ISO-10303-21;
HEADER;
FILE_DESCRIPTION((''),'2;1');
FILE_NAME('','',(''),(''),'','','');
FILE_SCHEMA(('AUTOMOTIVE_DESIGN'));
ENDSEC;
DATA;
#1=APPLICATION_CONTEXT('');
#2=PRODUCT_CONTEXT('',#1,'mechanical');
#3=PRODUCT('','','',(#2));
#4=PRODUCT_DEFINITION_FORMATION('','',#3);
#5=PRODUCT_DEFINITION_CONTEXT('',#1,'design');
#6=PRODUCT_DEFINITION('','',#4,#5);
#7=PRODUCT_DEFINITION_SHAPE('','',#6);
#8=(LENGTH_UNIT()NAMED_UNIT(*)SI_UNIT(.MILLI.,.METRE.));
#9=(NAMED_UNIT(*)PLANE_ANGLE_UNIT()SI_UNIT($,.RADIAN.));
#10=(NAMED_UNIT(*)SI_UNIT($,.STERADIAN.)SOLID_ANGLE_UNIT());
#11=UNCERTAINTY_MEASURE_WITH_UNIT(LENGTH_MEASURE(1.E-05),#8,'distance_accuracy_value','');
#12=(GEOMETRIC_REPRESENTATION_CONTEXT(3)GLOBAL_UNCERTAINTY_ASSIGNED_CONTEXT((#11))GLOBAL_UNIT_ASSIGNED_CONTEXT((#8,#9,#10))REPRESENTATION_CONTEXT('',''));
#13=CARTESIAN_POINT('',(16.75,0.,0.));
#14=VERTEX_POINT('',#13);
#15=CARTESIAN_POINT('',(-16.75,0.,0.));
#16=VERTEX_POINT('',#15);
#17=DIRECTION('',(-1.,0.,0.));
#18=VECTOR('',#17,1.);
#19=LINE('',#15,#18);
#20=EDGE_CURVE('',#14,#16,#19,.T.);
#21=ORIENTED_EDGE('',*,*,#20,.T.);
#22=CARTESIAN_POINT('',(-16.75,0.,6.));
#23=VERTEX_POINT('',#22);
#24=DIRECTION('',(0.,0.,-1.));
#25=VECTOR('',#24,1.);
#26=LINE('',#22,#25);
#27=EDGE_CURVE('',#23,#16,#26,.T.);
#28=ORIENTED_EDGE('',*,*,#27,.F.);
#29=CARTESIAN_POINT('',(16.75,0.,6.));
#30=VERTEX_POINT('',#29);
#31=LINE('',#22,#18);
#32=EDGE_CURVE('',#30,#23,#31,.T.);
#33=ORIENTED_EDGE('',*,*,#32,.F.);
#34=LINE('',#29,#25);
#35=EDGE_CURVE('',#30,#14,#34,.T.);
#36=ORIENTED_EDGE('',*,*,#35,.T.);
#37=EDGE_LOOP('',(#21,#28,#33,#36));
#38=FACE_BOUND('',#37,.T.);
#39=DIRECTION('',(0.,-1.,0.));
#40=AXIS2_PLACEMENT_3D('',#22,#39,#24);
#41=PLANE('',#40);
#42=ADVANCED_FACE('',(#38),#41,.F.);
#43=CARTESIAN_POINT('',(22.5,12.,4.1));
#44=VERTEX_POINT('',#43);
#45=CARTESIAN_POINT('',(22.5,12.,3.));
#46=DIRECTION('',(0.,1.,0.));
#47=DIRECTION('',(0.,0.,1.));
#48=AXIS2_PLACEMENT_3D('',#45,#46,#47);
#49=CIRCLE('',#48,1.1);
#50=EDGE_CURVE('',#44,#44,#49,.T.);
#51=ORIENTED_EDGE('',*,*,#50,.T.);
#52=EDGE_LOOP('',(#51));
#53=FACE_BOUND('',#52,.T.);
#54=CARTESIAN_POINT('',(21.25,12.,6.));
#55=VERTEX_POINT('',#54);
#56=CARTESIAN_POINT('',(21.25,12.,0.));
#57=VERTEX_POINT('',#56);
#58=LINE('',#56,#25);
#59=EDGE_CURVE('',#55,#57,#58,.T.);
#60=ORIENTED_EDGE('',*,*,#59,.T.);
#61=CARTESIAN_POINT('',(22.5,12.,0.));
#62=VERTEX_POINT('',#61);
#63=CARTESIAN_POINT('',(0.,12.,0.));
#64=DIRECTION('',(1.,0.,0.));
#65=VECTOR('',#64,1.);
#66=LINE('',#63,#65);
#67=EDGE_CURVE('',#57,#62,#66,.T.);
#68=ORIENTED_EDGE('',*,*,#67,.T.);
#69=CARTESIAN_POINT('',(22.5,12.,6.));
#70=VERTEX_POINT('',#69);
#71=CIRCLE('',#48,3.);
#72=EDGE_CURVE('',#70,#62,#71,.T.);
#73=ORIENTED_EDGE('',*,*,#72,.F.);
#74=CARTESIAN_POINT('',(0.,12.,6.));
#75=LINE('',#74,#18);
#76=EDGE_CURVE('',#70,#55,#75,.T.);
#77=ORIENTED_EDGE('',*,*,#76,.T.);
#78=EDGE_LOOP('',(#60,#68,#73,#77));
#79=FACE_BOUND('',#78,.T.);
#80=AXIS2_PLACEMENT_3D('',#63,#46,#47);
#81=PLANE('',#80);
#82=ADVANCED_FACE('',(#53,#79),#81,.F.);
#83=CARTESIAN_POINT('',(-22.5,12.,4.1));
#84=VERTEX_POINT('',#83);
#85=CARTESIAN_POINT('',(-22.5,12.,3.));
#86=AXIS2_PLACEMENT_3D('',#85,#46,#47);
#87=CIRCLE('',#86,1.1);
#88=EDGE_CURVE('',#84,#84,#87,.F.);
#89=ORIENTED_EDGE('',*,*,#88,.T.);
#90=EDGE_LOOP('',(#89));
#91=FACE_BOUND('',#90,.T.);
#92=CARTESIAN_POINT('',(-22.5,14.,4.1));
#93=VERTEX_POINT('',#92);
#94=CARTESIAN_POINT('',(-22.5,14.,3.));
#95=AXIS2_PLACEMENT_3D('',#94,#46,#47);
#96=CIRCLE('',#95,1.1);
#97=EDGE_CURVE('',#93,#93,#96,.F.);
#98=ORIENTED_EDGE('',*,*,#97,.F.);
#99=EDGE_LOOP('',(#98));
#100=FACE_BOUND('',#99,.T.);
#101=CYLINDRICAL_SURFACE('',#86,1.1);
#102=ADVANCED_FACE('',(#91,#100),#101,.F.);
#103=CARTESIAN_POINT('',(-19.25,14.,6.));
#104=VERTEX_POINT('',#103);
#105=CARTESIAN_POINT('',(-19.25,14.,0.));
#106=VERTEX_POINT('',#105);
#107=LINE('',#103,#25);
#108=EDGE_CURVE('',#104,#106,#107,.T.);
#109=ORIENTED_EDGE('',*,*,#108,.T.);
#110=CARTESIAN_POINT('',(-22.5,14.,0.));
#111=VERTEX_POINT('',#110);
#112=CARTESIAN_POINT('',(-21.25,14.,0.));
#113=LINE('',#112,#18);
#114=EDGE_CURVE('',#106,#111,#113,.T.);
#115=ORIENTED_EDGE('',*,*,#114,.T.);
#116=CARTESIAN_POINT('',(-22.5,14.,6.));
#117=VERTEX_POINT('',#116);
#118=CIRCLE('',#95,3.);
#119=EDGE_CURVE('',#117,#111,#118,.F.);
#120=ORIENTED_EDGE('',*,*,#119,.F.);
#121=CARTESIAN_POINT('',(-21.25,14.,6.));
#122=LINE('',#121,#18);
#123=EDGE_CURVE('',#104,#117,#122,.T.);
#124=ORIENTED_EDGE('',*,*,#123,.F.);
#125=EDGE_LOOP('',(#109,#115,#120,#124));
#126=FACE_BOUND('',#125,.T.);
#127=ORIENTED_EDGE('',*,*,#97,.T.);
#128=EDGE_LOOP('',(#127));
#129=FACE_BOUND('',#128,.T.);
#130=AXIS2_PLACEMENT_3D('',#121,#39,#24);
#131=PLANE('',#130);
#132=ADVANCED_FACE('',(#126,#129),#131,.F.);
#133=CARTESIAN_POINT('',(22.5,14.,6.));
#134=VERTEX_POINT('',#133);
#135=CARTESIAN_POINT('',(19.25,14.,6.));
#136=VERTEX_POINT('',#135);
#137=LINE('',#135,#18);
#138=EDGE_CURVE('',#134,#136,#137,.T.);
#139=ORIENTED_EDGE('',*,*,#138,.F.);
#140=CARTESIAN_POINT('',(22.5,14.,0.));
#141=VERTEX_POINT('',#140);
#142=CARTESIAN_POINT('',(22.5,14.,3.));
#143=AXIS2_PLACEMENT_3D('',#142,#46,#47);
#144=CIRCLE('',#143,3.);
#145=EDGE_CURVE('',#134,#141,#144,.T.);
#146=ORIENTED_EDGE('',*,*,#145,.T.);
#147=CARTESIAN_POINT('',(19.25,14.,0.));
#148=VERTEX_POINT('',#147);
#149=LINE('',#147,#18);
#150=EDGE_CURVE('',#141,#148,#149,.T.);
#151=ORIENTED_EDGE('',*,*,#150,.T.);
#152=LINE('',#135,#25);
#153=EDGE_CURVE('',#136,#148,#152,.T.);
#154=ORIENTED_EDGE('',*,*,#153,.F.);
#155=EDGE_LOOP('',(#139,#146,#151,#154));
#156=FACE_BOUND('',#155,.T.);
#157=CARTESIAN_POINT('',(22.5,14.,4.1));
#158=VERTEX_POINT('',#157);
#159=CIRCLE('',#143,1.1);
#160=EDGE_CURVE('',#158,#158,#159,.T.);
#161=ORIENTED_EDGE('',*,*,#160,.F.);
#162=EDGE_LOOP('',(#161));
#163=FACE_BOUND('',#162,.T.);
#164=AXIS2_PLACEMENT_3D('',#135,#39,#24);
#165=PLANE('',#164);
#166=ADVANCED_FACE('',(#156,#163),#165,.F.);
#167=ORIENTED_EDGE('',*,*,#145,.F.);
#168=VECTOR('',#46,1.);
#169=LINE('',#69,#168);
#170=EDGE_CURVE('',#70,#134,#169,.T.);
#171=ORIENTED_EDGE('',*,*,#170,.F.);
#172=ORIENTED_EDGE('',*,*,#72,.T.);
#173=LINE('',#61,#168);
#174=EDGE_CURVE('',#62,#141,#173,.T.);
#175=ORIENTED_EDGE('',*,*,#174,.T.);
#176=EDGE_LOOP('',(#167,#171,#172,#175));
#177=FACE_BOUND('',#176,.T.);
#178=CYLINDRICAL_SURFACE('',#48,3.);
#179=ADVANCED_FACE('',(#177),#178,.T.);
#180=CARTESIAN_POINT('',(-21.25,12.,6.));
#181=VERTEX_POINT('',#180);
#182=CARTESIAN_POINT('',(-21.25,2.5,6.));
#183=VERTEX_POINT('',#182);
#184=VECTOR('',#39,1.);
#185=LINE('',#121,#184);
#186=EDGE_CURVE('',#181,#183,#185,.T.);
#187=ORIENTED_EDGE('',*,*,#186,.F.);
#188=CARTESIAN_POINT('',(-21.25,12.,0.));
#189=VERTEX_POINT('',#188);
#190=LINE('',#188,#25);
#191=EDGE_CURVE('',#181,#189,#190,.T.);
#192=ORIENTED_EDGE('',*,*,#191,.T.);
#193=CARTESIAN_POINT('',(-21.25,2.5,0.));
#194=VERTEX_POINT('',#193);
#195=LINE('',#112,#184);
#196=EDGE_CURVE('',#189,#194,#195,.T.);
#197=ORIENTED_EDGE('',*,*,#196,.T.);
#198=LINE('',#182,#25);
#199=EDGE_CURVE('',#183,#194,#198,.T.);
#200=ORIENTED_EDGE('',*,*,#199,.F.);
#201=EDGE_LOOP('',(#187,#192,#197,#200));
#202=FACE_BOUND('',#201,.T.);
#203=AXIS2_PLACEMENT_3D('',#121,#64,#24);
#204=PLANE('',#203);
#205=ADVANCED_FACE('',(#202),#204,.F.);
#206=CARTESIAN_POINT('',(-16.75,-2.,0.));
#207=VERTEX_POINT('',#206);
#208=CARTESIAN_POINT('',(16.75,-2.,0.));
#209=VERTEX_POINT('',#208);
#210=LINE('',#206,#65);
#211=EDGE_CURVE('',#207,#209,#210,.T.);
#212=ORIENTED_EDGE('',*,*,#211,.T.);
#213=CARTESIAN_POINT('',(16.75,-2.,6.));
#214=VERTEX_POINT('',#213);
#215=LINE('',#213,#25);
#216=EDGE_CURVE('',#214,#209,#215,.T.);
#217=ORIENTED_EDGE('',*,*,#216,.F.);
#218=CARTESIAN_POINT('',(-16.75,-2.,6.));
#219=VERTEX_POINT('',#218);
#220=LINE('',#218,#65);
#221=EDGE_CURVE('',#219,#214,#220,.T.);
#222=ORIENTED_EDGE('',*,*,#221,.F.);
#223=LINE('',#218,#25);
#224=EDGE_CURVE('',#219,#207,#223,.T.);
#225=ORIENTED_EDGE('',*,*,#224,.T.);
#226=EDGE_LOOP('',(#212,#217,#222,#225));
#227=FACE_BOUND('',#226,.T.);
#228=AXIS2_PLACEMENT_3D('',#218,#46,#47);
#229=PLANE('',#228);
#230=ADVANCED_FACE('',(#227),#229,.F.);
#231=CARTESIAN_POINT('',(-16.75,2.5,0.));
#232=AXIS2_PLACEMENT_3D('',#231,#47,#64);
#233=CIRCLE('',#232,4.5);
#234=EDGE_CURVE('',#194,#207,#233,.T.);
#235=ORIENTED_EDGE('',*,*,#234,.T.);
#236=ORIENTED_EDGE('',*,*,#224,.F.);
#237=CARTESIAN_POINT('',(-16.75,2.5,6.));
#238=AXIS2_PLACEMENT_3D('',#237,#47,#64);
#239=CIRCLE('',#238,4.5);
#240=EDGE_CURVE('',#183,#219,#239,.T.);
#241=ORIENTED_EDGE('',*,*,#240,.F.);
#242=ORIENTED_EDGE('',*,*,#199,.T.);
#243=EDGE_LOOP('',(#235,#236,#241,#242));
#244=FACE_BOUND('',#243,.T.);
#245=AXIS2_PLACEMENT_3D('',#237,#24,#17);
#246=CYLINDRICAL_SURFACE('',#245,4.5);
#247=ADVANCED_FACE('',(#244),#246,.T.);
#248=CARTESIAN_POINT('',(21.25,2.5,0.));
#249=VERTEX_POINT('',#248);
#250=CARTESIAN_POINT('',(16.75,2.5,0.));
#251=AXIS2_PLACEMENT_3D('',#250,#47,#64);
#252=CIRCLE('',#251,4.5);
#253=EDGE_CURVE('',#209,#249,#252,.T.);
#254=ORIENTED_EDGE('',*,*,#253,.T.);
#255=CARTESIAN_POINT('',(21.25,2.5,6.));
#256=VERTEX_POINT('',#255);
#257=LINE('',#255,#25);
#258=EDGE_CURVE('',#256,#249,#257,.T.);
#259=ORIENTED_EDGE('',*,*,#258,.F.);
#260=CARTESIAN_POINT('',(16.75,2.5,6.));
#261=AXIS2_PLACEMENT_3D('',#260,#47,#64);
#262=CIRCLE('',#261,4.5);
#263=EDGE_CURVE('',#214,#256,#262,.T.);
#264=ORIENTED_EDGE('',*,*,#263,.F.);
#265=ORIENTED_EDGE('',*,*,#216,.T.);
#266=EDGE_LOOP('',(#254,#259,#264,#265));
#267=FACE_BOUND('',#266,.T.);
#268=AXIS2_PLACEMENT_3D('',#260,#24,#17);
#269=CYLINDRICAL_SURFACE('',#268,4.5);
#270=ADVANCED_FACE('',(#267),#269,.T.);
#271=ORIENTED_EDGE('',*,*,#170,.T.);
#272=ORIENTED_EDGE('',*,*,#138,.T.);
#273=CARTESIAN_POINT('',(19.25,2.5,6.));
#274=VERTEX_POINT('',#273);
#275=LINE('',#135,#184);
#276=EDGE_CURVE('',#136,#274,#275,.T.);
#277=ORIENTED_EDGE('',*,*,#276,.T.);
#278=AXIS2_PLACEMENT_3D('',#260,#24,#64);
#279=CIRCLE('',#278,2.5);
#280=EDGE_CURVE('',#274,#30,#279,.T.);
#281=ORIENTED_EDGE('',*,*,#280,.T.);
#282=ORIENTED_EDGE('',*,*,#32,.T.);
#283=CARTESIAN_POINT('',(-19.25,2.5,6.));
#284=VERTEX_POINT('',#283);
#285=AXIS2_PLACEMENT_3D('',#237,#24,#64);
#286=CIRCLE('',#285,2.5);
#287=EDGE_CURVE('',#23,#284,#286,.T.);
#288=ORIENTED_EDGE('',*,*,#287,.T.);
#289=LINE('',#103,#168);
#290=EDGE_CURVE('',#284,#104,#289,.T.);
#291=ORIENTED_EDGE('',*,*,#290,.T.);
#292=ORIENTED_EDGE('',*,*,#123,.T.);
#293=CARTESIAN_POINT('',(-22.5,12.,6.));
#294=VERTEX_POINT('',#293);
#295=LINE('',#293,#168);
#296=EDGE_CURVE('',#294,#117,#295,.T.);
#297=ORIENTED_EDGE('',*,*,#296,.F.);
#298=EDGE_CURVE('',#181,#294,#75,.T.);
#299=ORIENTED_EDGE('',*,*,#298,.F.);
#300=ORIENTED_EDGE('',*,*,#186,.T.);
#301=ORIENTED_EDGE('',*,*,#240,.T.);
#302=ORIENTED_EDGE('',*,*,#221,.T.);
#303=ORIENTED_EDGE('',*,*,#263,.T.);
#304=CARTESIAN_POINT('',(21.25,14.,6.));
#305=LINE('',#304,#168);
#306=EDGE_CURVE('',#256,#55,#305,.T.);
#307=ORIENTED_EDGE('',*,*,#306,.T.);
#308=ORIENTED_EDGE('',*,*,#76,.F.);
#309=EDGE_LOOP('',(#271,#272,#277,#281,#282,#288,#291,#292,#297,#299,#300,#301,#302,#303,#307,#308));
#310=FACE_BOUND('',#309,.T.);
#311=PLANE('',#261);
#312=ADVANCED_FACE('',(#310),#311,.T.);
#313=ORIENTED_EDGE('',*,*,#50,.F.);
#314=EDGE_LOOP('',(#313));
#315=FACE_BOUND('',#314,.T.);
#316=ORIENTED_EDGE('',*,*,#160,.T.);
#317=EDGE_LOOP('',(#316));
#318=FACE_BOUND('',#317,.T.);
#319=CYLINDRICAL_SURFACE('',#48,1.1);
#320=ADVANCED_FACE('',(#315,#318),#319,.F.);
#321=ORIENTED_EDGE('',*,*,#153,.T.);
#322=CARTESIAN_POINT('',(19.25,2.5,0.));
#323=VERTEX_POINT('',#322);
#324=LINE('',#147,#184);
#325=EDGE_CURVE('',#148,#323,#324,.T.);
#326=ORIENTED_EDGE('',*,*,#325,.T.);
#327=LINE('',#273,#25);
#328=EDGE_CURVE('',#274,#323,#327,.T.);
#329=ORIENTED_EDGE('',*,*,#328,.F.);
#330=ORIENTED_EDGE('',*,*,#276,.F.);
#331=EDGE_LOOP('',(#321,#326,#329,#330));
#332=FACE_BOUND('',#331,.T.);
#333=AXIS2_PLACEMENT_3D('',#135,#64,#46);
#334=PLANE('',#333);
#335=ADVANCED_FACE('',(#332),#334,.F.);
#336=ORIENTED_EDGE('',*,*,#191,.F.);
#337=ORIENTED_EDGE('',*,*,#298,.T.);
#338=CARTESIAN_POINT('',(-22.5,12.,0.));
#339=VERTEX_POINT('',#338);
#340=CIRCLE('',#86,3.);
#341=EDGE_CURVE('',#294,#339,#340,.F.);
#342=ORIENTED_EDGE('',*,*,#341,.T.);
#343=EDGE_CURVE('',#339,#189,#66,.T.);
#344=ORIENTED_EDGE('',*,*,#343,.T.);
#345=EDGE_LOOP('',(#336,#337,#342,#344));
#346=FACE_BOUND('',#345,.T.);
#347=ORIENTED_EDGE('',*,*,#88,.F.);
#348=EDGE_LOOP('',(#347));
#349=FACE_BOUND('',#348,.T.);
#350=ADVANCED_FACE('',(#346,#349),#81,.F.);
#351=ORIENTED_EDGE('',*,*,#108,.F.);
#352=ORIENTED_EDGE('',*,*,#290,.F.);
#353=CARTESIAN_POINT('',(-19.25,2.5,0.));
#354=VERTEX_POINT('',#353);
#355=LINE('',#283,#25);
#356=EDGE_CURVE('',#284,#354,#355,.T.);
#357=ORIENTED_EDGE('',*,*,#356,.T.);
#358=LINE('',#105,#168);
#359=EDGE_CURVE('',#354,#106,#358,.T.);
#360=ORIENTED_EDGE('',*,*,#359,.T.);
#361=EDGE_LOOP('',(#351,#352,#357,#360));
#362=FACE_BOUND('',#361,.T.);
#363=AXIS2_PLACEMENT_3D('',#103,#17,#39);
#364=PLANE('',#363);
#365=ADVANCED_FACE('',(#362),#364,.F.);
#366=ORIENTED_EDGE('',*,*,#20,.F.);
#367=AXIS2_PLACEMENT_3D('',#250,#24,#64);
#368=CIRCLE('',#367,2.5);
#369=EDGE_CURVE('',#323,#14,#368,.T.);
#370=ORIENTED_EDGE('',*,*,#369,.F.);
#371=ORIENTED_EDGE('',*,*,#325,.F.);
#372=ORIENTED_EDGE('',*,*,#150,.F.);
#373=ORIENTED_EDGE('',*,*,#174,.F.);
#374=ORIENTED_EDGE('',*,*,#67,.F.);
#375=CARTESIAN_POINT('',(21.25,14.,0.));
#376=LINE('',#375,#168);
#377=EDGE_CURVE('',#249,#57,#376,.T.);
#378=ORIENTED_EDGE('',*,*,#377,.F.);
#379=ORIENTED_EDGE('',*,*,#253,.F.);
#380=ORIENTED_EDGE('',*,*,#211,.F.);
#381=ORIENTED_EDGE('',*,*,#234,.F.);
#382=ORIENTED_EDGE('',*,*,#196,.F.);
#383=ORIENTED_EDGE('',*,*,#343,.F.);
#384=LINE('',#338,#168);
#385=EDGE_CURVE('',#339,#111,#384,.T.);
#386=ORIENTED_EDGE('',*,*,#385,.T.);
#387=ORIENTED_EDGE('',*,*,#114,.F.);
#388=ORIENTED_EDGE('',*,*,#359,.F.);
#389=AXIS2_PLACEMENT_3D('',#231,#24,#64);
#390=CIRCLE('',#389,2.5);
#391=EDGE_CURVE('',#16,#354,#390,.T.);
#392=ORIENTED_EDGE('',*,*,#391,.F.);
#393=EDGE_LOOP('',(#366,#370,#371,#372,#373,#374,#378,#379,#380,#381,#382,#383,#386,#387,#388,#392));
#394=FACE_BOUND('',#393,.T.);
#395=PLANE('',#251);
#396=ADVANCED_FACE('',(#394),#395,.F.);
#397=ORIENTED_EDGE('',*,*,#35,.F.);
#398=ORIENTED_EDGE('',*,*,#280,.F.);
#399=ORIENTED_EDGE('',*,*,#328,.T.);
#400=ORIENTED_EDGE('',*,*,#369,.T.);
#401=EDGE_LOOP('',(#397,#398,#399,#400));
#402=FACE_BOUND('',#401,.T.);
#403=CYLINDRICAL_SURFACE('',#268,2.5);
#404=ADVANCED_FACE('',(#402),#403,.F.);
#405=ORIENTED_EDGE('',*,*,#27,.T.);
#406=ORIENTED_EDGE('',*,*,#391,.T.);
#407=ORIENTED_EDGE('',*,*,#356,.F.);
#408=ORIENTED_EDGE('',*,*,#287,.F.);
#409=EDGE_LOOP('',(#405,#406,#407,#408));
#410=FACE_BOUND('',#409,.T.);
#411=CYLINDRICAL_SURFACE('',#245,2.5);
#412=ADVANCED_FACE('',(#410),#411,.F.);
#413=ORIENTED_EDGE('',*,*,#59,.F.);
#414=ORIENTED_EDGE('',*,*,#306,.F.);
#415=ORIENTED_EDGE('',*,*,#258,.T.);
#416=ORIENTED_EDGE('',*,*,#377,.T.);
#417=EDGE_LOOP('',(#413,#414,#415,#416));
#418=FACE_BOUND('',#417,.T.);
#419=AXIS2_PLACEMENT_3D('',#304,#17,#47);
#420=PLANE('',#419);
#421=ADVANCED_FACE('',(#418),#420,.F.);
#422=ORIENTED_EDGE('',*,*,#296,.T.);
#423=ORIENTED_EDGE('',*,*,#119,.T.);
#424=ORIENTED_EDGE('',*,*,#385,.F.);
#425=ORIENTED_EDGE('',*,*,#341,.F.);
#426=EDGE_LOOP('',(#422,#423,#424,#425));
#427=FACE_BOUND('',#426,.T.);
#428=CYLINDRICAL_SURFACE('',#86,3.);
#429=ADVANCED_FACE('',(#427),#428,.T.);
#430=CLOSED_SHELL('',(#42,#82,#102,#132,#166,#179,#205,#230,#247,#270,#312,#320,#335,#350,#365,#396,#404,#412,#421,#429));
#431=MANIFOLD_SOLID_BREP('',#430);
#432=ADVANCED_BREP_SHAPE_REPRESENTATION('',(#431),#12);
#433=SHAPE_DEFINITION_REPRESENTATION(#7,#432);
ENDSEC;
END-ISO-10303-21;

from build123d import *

# Parameters (mm, degrees)
BOSS_EXTRUDE1_DEPTH = 6
SKETCH3_R           = 1.1
BOSS_EXTRUDE6_DEPTH = 2


with BuildPart() as part:
    # Sketch1 → Boss-Extrude1 (new body)
    with BuildSketch(Plane.XY):
        with BuildLine():
            Line((-21.25, 14), (-21.25, 2.5))
            ThreePointArc((-21.25, 2.5), (-19.931980515, -0.681980515), (-16.75, -2))
            Line((-16.75, -2), (16.75, -2))
            ThreePointArc((16.75, -2), (19.931980515, -0.681980515), (21.25, 2.5))
            Line((21.25, 2.5), (21.25, 14))
            Line((21.25, 14), (19.25, 14))
            Line((19.25, 14), (19.25, 2.5))
            ThreePointArc((19.25, 2.5), (18.517766953, 0.732233047), (16.75, 0))
            Line((16.75, 0), (-16.75, 0))
            ThreePointArc((-16.75, 0), (-18.517766953, 0.732233047), (-19.25, 2.5))
            Line((-19.25, 2.5), (-19.25, 14))
            Line((-19.25, 14), (-21.25, 14))
        make_face()
    extrude(amount=BOSS_EXTRUDE1_DEPTH)

    # Sketch3 → Boss-Extrude6 (add)
    # profile 1 of 2: a face of its own
    with BuildSketch(Plane(origin=(0, 14, 0), x_dir=(-1, 0, 0), z_dir=(0, 1, 0))):
        with BuildLine():
            Line((-21.25, 6), (-22.5, 6))
            ThreePointArc((-22.5, 6), (-25.5, 3), (-22.5, 0))
            Line((-22.5, 0), (-21.25, 0))
            Line((-21.25, 0), (-21.25, 6))
        make_face()
        with Locations(Location((-22.5, 3, 0), (0, 0, 90))):
            Circle(SKETCH3_R, mode=Mode.SUBTRACT)
    # profile 2 of 2: a face of its own
    with BuildSketch(Plane(origin=(0, 14, 0), x_dir=(-1, 0, 0), z_dir=(0, 1, 0))):
        with BuildLine():
            Line((22.5, 6), (21.25, 6))
            Line((21.25, 6), (21.25, 0))
            Line((21.25, 0), (22.5, 0))
            ThreePointArc((22.5, 0), (25.5, 3), (22.5, 6))
        make_face()
        with Locations(Location((22.5, 3, 0), (0, 0, 90))):
            Circle(SKETCH3_R, mode=Mode.SUBTRACT)
    extrude(amount=-BOSS_EXTRUDE6_DEPTH)


solid = part.part
